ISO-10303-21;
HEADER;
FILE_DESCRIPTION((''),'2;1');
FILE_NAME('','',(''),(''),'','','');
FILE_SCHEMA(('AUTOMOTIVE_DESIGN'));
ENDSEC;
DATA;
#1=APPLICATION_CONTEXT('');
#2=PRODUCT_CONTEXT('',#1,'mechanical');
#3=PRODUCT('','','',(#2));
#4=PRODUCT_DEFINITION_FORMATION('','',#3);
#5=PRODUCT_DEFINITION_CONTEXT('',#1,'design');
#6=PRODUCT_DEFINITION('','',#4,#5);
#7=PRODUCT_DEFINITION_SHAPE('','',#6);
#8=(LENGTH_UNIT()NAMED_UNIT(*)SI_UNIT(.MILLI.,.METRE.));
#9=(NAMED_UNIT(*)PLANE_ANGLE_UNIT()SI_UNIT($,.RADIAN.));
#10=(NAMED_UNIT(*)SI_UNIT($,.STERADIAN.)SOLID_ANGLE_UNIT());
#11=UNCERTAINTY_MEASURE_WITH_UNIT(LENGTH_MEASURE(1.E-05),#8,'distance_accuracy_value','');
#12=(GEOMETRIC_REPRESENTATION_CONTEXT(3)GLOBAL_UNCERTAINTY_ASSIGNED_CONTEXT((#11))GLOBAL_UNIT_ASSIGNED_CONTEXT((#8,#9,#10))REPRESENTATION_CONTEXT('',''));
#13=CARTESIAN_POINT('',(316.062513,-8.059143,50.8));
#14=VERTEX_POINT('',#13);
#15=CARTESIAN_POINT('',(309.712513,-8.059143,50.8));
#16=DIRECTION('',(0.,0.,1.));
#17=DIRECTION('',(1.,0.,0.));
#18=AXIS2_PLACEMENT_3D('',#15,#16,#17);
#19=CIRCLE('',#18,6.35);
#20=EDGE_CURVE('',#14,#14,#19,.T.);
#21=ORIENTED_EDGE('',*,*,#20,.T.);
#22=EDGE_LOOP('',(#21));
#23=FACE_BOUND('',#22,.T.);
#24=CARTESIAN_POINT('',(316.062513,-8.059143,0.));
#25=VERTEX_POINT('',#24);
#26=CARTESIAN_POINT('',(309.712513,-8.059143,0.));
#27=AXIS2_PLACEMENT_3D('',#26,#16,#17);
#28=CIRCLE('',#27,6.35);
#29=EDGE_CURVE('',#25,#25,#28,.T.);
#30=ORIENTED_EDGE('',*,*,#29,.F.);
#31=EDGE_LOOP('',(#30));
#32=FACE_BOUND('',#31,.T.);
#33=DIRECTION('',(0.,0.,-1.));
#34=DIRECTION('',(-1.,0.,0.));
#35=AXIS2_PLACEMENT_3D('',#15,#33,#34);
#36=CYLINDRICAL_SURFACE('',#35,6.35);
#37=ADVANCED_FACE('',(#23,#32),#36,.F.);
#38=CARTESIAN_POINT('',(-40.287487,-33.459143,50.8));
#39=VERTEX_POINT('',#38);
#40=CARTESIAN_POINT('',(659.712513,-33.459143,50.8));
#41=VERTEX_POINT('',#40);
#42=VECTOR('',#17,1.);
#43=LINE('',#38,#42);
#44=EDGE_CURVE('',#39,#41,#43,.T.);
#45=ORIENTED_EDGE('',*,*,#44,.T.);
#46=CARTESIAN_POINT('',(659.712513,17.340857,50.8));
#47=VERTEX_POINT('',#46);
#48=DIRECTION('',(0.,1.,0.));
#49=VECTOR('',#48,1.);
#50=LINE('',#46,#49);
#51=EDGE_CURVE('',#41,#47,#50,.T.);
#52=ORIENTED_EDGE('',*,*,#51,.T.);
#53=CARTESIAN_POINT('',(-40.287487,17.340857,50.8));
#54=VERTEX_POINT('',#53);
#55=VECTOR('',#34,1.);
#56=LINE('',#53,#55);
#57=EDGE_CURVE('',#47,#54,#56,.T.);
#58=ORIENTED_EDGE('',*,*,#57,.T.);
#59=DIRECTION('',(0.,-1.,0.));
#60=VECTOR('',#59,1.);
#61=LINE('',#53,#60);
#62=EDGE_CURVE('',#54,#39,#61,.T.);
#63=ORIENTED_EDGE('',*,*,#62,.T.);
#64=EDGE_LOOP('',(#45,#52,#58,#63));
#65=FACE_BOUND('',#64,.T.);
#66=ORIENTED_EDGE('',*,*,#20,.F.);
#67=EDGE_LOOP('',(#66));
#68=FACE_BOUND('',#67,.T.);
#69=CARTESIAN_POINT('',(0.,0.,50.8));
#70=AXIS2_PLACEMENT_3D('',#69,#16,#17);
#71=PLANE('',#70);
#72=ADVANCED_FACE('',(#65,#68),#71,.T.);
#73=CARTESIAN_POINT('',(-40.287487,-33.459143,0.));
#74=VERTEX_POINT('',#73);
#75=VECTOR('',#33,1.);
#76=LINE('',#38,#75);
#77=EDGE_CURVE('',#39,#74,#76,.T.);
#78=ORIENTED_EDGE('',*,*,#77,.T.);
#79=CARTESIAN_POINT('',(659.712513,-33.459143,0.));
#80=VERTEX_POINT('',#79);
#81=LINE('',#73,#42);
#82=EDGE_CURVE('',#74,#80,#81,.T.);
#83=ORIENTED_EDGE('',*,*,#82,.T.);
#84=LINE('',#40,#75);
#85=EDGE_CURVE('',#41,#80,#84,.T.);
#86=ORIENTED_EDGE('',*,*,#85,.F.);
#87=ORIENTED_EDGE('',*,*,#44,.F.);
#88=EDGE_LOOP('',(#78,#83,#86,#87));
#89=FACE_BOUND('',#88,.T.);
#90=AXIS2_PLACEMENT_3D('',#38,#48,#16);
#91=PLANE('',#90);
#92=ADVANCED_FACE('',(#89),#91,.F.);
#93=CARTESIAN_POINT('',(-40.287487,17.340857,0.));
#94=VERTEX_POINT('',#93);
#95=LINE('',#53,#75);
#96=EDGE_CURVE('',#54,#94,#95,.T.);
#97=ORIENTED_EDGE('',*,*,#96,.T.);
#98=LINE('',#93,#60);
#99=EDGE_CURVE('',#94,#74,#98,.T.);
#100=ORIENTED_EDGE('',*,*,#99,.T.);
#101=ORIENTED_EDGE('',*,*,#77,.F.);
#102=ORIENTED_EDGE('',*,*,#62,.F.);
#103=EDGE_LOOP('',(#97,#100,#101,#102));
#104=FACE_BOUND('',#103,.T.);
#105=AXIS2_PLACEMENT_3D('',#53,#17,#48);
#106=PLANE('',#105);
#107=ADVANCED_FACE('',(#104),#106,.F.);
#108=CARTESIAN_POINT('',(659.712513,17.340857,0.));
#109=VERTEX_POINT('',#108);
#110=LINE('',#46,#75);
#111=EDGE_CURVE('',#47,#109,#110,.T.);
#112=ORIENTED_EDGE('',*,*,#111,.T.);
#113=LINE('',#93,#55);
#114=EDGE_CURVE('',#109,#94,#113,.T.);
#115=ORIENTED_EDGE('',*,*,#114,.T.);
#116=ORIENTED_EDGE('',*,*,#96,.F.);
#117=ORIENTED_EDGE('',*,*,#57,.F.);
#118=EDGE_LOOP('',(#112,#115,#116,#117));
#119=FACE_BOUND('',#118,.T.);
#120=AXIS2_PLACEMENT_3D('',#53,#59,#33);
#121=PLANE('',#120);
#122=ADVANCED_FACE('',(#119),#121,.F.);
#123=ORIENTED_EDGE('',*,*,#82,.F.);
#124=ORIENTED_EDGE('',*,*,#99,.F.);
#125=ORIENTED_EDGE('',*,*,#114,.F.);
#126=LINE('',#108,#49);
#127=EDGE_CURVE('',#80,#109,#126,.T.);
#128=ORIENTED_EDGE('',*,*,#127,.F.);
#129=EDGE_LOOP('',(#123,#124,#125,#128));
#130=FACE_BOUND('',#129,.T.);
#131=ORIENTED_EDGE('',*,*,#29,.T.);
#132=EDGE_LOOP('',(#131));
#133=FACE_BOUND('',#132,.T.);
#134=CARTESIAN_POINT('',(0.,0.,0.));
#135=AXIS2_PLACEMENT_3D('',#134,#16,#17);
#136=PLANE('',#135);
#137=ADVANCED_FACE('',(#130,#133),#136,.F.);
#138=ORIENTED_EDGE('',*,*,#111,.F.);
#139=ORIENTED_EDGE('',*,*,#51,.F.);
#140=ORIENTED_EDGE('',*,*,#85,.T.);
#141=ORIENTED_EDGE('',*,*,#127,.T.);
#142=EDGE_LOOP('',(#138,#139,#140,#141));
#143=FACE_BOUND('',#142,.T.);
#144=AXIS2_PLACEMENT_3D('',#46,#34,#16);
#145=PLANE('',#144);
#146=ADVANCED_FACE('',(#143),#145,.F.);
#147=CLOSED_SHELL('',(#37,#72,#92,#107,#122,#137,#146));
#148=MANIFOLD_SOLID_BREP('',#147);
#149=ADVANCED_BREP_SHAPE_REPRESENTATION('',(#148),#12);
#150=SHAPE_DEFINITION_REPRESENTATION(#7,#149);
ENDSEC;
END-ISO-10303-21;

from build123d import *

# Parameters (mm, degrees)
SKETCH1_W           = 700
SKETCH1_H           = 50.8
SKETCH1_R           = 6.35
BOSS_EXTRUDE1_DEPTH = 50.8


with BuildPart() as part:
    # Sketch1 → Boss-Extrude1 (new body)
    with BuildSketch(Plane.XY):
        with Locations((309.712513069, -8.059143226)):
            Rectangle(SKETCH1_W, SKETCH1_H)
        with Locations((309.712513069, -8.059143226)):
            Circle(SKETCH1_R, mode=Mode.SUBTRACT)
    extrude(amount=BOSS_EXTRUDE1_DEPTH)


solid = part.part
